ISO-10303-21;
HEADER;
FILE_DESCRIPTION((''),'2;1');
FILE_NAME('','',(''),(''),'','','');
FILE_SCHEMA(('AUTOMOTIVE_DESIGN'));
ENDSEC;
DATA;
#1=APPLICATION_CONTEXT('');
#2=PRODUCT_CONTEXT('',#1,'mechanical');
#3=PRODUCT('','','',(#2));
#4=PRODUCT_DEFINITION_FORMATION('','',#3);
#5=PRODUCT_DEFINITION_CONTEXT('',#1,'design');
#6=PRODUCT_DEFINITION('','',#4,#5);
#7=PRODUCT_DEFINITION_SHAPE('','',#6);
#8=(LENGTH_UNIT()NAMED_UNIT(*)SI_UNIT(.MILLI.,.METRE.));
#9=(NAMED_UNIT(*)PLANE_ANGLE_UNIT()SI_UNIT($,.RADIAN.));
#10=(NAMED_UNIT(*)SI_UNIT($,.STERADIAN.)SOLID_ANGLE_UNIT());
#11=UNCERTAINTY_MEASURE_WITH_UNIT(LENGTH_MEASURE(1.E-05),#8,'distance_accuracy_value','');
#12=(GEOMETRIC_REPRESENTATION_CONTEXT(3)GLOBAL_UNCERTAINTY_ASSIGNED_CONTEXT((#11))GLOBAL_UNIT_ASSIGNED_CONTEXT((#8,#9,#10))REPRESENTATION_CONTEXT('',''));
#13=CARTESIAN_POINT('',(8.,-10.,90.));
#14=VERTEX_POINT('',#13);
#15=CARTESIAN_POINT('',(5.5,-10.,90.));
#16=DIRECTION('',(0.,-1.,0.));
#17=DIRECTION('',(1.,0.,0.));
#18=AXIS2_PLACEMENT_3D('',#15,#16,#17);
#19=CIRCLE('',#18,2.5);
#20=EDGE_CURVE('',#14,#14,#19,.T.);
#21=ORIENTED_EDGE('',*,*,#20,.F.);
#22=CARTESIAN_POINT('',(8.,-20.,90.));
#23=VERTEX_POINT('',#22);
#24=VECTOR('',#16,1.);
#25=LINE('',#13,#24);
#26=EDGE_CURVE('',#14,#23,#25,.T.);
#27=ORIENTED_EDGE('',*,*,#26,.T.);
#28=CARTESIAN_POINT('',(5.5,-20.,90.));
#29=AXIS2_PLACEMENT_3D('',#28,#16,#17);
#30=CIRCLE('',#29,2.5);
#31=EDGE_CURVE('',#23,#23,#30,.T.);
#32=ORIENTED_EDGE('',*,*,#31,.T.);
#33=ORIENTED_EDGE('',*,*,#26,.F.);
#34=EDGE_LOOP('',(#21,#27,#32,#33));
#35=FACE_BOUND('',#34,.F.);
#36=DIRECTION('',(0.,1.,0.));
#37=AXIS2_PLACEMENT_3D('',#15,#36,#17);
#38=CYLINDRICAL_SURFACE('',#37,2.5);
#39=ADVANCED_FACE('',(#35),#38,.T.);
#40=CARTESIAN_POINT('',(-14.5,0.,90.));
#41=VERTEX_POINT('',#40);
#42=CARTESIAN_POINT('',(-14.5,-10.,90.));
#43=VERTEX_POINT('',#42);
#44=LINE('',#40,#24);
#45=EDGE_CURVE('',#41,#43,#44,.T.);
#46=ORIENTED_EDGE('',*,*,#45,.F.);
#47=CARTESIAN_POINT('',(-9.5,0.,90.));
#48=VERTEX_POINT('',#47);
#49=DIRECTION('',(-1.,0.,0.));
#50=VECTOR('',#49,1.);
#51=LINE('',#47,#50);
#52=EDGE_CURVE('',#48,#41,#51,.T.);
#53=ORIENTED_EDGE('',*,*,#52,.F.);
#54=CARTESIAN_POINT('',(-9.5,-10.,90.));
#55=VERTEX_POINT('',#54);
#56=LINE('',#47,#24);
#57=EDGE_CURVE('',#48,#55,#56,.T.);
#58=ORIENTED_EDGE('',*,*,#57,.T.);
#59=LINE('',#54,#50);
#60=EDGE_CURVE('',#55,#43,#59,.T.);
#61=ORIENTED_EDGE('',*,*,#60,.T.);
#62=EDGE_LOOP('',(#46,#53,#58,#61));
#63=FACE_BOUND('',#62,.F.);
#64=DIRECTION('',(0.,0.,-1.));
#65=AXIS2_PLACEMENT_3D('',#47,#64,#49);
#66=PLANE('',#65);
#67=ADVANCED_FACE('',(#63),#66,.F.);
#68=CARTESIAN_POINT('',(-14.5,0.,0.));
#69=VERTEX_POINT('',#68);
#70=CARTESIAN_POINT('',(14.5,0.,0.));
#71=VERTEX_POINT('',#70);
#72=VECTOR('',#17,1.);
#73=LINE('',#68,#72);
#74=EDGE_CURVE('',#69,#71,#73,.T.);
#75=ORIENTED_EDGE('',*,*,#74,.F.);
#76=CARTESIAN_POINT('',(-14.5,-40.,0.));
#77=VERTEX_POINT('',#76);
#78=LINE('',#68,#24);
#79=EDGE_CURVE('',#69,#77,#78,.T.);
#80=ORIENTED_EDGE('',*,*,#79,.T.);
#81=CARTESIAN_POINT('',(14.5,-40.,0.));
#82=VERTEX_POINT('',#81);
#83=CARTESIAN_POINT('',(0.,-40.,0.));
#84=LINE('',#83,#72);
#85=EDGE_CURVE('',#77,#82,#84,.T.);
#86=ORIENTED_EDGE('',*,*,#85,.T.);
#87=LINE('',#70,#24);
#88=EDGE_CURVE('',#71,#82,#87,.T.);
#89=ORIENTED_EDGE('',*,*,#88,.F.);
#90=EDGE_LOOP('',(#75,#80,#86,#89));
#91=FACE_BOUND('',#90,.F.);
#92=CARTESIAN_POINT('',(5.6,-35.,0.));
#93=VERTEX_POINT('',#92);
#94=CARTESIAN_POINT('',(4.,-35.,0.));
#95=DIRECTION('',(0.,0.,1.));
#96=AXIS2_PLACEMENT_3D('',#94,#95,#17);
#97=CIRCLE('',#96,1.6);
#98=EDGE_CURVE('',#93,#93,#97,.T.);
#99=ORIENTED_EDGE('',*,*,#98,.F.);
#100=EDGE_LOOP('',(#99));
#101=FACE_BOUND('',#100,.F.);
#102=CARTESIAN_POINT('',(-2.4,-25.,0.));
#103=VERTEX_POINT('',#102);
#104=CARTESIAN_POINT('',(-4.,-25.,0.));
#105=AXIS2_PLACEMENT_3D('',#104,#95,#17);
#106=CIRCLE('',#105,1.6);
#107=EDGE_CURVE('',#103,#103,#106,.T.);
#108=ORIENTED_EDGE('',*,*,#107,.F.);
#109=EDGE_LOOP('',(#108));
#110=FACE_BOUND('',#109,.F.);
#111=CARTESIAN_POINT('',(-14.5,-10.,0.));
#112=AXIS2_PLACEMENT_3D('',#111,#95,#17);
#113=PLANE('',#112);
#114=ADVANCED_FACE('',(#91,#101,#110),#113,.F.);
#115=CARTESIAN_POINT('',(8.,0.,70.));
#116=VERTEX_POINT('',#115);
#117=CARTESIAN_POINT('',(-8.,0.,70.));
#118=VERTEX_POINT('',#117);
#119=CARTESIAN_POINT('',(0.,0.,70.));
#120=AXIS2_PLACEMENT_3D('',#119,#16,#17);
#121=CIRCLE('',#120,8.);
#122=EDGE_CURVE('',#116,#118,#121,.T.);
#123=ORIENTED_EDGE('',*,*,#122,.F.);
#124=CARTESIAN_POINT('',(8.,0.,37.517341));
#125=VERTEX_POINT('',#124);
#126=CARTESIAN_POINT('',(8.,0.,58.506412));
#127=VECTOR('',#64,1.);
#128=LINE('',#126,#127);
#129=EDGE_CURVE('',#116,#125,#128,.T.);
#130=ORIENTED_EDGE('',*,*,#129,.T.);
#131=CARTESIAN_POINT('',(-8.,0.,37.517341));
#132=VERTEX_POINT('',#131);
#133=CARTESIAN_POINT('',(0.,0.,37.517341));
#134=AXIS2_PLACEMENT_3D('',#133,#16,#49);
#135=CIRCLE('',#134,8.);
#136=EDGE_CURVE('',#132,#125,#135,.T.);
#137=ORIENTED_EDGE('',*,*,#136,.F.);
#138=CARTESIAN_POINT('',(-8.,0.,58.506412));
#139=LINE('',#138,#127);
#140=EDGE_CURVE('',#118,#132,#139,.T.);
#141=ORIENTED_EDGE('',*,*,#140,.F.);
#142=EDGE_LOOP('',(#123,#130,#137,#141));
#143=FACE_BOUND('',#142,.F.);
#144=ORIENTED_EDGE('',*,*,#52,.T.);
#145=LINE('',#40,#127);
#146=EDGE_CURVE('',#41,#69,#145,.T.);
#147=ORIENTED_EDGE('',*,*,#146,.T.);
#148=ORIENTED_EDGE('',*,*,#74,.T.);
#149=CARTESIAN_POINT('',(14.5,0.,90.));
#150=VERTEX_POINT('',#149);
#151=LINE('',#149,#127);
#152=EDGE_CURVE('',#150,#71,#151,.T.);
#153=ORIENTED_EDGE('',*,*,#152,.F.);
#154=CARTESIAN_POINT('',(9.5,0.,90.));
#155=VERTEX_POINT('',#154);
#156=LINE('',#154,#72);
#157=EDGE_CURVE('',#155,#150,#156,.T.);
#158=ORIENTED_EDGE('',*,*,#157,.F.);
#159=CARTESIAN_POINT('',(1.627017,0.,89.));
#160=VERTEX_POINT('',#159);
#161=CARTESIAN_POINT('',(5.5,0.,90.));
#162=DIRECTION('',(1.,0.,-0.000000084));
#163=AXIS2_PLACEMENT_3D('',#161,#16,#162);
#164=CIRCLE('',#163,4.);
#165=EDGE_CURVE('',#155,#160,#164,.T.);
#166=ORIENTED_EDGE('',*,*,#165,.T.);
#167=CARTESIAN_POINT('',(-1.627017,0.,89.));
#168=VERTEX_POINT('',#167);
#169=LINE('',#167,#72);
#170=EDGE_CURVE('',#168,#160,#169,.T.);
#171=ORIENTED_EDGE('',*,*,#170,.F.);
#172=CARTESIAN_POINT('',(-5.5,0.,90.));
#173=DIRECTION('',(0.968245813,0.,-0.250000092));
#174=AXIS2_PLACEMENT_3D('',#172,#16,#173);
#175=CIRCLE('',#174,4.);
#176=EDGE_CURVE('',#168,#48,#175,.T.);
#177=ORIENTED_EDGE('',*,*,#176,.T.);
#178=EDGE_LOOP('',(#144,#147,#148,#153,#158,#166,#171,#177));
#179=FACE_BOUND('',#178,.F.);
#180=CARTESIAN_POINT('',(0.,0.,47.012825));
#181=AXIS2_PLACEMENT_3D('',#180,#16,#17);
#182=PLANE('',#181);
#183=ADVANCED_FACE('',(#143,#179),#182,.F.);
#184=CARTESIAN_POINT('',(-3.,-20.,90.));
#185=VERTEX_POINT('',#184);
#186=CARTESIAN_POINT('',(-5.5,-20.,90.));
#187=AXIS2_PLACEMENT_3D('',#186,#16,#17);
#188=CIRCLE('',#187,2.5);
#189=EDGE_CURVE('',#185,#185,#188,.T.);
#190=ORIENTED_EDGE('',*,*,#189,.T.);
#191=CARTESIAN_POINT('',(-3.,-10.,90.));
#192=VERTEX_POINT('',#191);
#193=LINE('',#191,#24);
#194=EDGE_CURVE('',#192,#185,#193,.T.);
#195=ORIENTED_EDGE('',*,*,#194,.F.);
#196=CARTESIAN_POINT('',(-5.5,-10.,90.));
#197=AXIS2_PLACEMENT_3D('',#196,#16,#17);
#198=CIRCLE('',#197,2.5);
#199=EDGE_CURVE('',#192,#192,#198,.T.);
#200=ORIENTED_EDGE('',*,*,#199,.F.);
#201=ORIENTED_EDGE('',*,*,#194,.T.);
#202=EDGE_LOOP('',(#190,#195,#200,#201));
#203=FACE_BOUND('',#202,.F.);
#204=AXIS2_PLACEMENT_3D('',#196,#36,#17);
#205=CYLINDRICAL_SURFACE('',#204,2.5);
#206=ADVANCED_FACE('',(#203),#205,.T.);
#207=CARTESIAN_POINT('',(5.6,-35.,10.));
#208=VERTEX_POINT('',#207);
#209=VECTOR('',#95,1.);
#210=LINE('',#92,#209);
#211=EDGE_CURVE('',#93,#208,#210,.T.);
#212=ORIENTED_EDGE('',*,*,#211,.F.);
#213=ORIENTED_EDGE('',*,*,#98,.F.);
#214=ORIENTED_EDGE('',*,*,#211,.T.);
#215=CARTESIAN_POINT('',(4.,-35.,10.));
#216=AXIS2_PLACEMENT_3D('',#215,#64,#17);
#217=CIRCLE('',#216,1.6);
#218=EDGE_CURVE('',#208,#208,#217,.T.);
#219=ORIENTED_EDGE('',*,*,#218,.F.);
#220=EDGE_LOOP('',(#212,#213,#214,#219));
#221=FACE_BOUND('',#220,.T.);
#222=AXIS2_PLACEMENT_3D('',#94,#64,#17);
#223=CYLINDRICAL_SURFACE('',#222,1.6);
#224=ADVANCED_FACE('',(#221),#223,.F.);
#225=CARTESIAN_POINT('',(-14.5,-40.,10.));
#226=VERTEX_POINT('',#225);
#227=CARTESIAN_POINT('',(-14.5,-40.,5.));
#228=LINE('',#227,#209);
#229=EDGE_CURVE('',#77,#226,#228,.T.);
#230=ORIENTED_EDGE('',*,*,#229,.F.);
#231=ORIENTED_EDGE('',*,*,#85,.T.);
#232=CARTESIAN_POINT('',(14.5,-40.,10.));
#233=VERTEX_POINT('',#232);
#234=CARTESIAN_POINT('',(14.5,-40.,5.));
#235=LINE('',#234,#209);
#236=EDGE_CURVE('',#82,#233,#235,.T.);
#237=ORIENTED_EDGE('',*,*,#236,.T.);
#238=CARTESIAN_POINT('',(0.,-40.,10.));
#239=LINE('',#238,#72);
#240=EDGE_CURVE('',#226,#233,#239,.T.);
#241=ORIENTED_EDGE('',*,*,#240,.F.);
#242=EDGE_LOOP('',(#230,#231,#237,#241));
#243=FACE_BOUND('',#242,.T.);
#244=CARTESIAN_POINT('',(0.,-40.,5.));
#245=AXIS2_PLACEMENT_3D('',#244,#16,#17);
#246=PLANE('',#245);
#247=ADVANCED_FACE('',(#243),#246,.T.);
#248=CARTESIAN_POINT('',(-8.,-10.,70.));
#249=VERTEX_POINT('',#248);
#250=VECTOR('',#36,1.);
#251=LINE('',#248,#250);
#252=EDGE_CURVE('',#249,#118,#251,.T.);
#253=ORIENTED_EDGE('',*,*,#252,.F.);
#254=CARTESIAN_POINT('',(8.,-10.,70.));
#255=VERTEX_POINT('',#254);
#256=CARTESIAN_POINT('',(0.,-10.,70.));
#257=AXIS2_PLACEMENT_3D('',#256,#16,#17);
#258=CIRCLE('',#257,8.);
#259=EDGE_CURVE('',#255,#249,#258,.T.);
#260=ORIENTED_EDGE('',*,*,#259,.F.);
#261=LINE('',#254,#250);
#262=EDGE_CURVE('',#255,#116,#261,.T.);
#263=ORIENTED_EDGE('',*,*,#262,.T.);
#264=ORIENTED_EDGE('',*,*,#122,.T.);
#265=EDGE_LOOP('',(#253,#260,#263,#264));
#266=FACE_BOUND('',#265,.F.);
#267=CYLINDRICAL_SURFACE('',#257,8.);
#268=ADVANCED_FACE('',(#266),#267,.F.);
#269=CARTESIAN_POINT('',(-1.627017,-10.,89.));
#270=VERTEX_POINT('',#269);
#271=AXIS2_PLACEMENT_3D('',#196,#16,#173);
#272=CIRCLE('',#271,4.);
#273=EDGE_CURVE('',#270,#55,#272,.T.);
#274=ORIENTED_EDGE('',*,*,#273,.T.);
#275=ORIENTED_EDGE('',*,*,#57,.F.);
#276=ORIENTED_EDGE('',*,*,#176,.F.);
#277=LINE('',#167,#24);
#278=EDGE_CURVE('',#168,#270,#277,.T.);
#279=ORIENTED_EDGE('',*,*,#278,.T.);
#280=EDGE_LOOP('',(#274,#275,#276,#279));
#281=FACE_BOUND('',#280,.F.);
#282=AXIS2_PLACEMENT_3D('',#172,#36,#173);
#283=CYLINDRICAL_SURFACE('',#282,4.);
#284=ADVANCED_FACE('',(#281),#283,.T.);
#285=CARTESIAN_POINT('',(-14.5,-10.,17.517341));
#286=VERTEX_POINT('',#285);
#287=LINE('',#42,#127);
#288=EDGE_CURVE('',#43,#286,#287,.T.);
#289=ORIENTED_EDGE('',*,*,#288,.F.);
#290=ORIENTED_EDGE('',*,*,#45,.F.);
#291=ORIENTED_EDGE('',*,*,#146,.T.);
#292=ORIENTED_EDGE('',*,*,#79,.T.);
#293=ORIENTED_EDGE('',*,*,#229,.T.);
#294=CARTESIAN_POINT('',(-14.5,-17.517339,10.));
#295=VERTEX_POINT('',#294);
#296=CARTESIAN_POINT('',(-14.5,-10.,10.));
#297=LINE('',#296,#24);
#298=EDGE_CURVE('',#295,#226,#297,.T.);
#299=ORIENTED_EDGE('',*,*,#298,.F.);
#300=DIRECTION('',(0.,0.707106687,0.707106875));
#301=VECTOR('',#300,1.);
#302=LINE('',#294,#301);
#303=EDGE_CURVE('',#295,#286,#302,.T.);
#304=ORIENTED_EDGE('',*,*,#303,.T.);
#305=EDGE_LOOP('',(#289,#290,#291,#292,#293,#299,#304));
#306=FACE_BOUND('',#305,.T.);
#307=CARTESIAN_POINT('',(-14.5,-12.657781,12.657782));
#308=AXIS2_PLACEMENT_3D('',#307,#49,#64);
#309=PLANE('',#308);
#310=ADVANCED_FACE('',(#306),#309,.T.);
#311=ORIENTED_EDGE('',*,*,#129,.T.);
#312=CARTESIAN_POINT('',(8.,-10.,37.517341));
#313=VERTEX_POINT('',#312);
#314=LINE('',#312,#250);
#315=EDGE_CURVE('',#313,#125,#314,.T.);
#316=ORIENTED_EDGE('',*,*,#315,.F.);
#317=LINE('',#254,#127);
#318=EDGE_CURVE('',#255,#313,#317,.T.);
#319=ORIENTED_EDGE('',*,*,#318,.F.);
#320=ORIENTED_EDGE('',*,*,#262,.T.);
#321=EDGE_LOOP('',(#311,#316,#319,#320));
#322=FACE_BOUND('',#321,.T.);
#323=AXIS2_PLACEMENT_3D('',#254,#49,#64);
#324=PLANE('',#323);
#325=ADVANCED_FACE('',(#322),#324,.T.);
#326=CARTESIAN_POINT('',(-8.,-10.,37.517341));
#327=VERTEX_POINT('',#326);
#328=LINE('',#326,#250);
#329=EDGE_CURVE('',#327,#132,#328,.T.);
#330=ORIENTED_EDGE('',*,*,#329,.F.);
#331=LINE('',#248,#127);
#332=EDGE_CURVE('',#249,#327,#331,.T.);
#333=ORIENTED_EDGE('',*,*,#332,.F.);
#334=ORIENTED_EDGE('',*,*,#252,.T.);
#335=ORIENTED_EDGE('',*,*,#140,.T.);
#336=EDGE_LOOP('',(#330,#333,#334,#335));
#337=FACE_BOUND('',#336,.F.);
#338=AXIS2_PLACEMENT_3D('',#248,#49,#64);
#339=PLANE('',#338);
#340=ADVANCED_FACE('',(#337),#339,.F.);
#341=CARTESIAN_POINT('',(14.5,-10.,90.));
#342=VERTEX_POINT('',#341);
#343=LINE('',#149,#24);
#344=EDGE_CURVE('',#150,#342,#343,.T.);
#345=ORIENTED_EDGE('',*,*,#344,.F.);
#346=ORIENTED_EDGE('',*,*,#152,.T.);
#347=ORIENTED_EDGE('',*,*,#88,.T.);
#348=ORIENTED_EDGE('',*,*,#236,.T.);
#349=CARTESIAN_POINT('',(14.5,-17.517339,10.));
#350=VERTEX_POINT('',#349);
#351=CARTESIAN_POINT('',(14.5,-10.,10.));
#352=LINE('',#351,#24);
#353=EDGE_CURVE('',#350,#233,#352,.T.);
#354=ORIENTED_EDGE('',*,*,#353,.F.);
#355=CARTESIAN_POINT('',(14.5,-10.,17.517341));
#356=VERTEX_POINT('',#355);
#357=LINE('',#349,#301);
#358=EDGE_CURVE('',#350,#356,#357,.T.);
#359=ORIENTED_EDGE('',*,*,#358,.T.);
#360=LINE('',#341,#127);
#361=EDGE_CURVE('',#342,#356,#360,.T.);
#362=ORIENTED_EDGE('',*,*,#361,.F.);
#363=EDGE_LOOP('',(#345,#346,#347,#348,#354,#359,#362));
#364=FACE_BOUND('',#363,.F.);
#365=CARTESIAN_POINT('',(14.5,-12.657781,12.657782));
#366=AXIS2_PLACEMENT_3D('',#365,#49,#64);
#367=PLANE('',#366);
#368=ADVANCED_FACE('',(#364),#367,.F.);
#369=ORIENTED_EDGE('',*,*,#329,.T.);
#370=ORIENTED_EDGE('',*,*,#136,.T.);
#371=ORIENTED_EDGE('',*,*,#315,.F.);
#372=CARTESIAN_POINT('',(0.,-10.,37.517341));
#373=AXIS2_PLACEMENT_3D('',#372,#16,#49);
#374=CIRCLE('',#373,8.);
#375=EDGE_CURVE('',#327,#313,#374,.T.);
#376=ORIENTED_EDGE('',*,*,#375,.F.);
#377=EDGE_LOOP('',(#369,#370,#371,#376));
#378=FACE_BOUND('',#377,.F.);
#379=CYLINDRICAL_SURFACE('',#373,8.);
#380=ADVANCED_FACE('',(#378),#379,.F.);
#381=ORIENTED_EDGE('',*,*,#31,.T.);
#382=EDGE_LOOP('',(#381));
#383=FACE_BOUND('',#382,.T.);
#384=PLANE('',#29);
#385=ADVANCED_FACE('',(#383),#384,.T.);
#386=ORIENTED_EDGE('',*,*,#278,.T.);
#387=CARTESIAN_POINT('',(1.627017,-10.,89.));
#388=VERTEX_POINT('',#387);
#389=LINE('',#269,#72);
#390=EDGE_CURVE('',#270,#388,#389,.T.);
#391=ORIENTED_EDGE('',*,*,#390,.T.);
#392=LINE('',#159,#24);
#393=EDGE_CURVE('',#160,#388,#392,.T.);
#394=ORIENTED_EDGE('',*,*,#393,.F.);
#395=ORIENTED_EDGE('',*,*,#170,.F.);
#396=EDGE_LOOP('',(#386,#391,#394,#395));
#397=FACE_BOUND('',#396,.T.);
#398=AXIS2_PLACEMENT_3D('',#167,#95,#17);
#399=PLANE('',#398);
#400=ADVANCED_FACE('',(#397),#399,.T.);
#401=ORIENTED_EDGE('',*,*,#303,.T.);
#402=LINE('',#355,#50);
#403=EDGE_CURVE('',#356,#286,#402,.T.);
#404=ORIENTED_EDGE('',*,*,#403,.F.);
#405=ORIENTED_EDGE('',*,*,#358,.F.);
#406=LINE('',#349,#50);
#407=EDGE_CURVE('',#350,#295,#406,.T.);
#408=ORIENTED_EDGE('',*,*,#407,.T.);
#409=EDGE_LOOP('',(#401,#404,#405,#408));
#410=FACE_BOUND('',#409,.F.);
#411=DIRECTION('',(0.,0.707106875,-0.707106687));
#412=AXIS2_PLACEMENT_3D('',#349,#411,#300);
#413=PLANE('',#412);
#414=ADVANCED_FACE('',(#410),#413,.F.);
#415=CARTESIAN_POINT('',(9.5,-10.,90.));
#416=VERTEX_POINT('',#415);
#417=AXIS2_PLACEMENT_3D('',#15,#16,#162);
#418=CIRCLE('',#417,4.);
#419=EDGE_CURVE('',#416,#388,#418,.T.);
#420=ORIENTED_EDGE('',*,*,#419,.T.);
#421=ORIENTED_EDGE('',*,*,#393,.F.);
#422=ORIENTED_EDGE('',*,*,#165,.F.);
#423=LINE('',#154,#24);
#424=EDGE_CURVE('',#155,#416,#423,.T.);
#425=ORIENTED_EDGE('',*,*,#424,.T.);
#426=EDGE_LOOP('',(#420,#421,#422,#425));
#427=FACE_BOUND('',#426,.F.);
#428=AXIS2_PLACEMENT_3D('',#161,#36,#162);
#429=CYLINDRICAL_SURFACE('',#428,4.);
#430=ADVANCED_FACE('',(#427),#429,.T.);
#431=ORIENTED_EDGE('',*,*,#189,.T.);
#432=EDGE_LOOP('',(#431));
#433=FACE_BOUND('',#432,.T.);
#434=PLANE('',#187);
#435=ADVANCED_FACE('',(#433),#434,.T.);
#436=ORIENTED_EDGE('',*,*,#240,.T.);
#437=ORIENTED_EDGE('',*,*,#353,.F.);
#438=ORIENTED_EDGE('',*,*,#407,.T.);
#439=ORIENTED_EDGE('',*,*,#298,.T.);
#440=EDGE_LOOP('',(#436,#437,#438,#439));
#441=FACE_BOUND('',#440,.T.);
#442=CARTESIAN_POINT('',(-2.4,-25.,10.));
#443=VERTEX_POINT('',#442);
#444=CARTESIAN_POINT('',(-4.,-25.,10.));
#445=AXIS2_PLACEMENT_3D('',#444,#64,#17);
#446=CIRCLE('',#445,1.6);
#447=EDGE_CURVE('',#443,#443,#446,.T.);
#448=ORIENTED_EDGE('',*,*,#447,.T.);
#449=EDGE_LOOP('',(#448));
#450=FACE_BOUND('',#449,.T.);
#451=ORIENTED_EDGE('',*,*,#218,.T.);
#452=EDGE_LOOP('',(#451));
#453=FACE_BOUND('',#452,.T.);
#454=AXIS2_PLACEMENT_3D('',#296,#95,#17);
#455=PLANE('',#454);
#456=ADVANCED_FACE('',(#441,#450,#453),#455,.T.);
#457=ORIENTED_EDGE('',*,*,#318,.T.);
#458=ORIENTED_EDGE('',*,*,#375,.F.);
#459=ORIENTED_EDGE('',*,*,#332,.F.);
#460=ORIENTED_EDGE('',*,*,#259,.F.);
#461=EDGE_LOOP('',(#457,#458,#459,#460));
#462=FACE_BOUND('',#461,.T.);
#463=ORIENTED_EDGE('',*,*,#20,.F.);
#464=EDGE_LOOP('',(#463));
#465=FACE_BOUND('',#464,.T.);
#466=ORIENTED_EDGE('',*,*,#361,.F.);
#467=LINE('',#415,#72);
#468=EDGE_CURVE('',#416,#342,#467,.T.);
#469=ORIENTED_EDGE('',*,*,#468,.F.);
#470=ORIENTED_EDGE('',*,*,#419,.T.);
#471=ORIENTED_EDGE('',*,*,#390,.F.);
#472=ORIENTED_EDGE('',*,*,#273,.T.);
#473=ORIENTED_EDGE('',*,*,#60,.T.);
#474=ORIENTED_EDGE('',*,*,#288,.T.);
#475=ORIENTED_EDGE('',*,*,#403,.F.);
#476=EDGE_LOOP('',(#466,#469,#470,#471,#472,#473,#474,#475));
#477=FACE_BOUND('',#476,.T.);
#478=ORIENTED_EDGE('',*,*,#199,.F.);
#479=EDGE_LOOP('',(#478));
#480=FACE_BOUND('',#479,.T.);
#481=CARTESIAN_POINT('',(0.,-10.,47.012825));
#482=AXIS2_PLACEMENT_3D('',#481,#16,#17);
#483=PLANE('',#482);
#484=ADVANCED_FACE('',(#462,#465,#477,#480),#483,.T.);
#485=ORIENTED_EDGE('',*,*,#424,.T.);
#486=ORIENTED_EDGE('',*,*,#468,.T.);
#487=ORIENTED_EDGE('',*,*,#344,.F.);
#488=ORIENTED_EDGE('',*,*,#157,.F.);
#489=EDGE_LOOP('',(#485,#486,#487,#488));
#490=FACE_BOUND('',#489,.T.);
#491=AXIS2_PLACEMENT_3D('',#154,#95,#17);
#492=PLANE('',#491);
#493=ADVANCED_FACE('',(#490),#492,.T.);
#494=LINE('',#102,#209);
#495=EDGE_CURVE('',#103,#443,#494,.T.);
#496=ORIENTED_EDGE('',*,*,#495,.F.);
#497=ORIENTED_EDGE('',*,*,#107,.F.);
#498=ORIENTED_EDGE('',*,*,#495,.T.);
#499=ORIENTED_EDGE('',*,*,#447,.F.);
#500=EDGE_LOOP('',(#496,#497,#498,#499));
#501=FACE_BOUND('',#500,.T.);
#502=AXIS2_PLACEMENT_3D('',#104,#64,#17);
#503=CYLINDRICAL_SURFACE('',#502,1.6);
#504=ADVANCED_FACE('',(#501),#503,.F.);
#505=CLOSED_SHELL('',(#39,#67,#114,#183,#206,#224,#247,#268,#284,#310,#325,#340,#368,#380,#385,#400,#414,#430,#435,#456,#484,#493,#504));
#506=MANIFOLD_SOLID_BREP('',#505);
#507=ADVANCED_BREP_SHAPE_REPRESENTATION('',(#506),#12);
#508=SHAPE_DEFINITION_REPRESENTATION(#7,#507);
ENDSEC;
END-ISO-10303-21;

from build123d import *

# Parameters (mm, degrees)
PAD007_DEPTH         = 10
SKETCH017_W          = 29
SKETCH017_H          = 10
PAD008_DEPTH         = 30
SKETCH018_R          = 1.6
POCKET007_DEPTH      = 0.001
POCKET007_DEPTH_BACK = 94.001
PAD009_DEPTH         = 29
SKETCH020_R          = 2.5
PAD010_DEPTH         = 10
POCKET008_DEPTH      = 10.001


with BuildPart() as part:
    # Sketch016 → Pad007 (new body)
    with BuildSketch(Plane.XZ):
        with BuildLine():
            ThreePointArc((9.5, 90), (4.995983, 93.968119), (1.627017, 89))
            Line((-1.627017, 89), (1.627017, 89))
            ThreePointArc((-1.627017, 89), (-4.995983, 93.968119), (-9.5, 90))
            Line((-9.5, 90), (-14.5, 90))
            Line((-14.5, 90), (-14.5, 0))
            Line((-14.5, 0), (14.5, 0))
            Line((14.5, 90), (14.5, 0))
            Line((9.5, 90), (14.5, 90))
        make_face()
        Polygon((9.5, 90), (14.5, 90), align=None)
    extrude(amount=PAD007_DEPTH)

    # Sketch017 (on Face10 of Pad007) → Pad008 (join)
    with BuildSketch(Plane.XZ.offset(10)):
        with Locations((0, 5)):
            Rectangle(SKETCH017_W, SKETCH017_H)
    extrude(amount=PAD008_DEPTH)

    # Sketch018 → Pocket007 (cut, two sides)
    with BuildSketch(Plane.XY) as pocket007_sk:
        with Locations((-4, -25)):
            Circle(SKETCH018_R)
        with Locations((4, -35)):
            Circle(SKETCH018_R)
    extrude(amount=-POCKET007_DEPTH, mode=Mode.SUBTRACT)
    extrude(pocket007_sk.sketch, amount=POCKET007_DEPTH_BACK, mode=Mode.SUBTRACT)

    # Sketch019 (on Face3 of Pocket007) → Pad009 (join)
    with BuildSketch(Plane(origin=(14.5, 0, 0), x_dir=(0, 0, 1), z_dir=(1, 0, 0))):
        Polygon((10, 17.517339), (17.517341, 10), (10, 10), align=None)
    extrude(amount=-PAD009_DEPTH)

    # Sketch020 (on Face4 of Pad009) → Pad010 (join)
    with BuildSketch(Plane.XZ.offset(10)):
        with Locations((-5.5, 90)):
            Circle(SKETCH020_R)
        with Locations((5.5, 90)):
            Circle(SKETCH020_R)
    extrude(amount=PAD010_DEPTH)

    # Sketch021 (on Face5 of Pad010) → Pocket008 (cut, through all)
    with BuildSketch(Plane.XZ.offset(10)):
        with BuildLine():
            ThreePointArc((8, 70), (0, 78), (-8, 70))
            Line((-8, 70), (-8, 37.517341))
            ThreePointArc((-8, 37.517341), (0, 29.517341), (8, 37.517341))
            Line((8, 70), (8, 37.517341))
        make_face()
    extrude(amount=-POCKET008_DEPTH, mode=Mode.SUBTRACT)


solid = part.part
